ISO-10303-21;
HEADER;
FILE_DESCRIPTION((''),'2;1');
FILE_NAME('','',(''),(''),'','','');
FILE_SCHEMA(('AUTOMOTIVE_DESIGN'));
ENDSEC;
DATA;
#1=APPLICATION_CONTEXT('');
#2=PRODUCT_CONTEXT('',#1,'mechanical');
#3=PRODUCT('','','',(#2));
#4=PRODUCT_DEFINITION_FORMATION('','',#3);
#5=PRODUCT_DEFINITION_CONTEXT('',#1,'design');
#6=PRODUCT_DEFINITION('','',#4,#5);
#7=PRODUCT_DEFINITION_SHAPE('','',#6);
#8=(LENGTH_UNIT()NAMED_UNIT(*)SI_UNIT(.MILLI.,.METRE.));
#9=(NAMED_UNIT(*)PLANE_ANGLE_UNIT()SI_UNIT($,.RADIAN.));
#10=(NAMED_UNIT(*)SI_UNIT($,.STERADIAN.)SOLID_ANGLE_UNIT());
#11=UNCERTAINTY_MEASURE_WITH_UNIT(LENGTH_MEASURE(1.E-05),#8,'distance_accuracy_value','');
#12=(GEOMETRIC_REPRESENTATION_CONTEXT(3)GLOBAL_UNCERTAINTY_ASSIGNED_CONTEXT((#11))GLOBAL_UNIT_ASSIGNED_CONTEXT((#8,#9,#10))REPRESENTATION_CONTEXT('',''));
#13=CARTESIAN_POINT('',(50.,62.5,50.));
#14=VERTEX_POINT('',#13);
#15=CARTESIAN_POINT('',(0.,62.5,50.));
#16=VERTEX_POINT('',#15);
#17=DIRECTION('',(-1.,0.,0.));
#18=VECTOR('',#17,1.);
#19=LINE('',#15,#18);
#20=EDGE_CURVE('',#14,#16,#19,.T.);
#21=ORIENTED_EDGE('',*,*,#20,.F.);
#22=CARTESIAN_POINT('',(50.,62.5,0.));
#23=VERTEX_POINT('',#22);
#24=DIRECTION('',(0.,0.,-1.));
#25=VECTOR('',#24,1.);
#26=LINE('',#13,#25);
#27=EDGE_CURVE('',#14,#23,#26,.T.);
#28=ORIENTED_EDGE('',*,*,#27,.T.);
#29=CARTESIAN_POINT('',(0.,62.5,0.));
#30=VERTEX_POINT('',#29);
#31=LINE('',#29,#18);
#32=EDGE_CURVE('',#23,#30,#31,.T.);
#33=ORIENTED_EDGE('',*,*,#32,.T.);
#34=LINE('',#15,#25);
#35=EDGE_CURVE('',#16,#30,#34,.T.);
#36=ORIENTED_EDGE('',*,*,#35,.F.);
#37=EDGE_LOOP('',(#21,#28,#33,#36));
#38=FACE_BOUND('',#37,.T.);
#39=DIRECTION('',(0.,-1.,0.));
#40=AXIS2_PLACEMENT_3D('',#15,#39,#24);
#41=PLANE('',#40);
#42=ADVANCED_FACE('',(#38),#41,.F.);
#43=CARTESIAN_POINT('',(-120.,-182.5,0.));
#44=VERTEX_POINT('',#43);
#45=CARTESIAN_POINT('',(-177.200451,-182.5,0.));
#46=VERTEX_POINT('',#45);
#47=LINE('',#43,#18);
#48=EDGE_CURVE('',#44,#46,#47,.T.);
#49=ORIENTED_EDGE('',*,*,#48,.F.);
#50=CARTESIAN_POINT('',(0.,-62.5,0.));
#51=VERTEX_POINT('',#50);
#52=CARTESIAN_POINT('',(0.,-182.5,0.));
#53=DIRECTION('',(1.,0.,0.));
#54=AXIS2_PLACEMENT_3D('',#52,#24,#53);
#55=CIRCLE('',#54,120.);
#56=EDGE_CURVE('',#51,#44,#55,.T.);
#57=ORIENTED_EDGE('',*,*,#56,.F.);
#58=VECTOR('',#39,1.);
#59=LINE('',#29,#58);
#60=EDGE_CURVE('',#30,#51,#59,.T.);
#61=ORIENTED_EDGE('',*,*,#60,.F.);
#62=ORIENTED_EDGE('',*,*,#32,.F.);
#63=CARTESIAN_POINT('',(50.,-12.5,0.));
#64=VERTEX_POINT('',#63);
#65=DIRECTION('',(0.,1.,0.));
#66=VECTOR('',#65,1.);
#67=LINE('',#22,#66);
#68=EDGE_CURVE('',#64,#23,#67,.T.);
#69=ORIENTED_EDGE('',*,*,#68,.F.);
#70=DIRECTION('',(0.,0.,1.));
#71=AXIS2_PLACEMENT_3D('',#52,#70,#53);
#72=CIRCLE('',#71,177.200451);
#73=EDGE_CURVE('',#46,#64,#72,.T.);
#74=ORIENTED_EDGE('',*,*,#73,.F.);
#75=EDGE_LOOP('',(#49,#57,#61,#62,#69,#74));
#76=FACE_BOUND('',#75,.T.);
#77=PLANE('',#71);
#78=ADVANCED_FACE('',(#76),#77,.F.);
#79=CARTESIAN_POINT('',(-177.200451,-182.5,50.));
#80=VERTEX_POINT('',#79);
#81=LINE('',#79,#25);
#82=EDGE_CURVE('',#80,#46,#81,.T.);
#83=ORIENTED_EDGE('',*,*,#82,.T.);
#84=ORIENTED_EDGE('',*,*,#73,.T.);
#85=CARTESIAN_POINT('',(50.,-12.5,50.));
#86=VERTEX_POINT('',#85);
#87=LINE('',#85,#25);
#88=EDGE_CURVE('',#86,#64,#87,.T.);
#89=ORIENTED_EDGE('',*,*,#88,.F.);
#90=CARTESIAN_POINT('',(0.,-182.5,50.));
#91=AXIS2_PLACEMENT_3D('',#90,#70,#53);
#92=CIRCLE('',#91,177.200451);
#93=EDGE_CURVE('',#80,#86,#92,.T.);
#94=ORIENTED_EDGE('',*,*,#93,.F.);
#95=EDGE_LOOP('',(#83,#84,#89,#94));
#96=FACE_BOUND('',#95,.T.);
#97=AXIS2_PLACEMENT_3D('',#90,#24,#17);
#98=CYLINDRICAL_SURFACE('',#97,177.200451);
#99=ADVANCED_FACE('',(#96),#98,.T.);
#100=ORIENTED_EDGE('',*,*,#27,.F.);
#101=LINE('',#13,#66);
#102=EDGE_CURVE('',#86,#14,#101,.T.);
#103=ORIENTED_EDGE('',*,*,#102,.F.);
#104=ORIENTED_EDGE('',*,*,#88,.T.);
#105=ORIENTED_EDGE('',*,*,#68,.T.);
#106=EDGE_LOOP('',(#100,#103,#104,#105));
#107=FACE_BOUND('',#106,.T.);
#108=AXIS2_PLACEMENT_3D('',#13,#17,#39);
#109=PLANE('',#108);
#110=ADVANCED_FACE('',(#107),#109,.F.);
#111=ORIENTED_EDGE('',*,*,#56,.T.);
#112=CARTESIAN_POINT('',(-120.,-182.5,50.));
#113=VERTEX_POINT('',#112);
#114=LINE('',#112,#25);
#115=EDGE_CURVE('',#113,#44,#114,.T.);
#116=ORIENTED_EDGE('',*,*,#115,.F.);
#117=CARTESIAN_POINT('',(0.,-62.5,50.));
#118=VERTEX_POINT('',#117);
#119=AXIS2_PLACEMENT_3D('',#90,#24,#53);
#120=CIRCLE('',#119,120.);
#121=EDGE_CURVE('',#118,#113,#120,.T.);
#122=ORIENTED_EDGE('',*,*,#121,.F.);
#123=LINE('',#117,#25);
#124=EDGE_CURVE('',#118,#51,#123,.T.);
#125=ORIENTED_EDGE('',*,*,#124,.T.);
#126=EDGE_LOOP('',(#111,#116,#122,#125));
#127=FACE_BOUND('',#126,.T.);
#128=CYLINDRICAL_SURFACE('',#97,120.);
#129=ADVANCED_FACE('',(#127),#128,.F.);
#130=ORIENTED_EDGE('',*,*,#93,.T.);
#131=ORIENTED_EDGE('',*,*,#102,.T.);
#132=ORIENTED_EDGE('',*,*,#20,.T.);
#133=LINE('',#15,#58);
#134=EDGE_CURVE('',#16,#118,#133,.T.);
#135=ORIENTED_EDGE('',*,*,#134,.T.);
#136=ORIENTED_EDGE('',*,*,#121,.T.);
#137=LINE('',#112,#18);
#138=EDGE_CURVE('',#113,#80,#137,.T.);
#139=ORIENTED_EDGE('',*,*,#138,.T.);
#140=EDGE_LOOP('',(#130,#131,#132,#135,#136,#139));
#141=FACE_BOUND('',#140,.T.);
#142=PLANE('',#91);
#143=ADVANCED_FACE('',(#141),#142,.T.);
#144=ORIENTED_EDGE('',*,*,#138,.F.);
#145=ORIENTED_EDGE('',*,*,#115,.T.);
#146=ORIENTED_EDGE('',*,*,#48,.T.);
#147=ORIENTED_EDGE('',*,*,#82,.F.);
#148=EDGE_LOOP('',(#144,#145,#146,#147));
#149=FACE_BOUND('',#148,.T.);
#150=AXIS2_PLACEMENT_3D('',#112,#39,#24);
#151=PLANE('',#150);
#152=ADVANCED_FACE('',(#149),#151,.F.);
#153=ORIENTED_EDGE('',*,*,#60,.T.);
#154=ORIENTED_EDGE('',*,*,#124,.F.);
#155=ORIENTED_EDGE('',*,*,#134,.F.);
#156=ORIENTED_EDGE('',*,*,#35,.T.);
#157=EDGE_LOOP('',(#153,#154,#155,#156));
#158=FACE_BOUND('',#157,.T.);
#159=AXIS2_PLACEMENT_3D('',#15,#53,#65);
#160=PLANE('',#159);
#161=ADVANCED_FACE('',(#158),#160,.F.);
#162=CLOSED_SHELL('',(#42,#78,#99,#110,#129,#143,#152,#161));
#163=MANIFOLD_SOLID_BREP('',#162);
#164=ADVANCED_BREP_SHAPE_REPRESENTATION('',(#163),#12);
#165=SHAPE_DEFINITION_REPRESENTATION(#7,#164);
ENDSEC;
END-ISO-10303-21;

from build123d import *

# Parameters (mm, degrees)
BOSS_EXTRUDE1_DEPTH = 50


with BuildPart() as part:
    # Sketch1 → Boss-Extrude1 (new body)
    with BuildSketch(Plane.XY):
        with BuildLine():
            Line((0, 62.5), (0, -62.5))
            ThreePointArc((0, -62.5), (84.852813742, -267.352813742), (-120, -182.5))
            Line((-120, -182.5), (-177.200451467, -182.5))
            ThreePointArc((-177.200451467, -182.5), (106.160203058, -324.380270956), (50, -12.5))
            Line((50, -12.5), (50, 62.5))
            Line((50, 62.5), (0, 62.5))
        make_face()
    extrude(amount=BOSS_EXTRUDE1_DEPTH)


solid = part.part
